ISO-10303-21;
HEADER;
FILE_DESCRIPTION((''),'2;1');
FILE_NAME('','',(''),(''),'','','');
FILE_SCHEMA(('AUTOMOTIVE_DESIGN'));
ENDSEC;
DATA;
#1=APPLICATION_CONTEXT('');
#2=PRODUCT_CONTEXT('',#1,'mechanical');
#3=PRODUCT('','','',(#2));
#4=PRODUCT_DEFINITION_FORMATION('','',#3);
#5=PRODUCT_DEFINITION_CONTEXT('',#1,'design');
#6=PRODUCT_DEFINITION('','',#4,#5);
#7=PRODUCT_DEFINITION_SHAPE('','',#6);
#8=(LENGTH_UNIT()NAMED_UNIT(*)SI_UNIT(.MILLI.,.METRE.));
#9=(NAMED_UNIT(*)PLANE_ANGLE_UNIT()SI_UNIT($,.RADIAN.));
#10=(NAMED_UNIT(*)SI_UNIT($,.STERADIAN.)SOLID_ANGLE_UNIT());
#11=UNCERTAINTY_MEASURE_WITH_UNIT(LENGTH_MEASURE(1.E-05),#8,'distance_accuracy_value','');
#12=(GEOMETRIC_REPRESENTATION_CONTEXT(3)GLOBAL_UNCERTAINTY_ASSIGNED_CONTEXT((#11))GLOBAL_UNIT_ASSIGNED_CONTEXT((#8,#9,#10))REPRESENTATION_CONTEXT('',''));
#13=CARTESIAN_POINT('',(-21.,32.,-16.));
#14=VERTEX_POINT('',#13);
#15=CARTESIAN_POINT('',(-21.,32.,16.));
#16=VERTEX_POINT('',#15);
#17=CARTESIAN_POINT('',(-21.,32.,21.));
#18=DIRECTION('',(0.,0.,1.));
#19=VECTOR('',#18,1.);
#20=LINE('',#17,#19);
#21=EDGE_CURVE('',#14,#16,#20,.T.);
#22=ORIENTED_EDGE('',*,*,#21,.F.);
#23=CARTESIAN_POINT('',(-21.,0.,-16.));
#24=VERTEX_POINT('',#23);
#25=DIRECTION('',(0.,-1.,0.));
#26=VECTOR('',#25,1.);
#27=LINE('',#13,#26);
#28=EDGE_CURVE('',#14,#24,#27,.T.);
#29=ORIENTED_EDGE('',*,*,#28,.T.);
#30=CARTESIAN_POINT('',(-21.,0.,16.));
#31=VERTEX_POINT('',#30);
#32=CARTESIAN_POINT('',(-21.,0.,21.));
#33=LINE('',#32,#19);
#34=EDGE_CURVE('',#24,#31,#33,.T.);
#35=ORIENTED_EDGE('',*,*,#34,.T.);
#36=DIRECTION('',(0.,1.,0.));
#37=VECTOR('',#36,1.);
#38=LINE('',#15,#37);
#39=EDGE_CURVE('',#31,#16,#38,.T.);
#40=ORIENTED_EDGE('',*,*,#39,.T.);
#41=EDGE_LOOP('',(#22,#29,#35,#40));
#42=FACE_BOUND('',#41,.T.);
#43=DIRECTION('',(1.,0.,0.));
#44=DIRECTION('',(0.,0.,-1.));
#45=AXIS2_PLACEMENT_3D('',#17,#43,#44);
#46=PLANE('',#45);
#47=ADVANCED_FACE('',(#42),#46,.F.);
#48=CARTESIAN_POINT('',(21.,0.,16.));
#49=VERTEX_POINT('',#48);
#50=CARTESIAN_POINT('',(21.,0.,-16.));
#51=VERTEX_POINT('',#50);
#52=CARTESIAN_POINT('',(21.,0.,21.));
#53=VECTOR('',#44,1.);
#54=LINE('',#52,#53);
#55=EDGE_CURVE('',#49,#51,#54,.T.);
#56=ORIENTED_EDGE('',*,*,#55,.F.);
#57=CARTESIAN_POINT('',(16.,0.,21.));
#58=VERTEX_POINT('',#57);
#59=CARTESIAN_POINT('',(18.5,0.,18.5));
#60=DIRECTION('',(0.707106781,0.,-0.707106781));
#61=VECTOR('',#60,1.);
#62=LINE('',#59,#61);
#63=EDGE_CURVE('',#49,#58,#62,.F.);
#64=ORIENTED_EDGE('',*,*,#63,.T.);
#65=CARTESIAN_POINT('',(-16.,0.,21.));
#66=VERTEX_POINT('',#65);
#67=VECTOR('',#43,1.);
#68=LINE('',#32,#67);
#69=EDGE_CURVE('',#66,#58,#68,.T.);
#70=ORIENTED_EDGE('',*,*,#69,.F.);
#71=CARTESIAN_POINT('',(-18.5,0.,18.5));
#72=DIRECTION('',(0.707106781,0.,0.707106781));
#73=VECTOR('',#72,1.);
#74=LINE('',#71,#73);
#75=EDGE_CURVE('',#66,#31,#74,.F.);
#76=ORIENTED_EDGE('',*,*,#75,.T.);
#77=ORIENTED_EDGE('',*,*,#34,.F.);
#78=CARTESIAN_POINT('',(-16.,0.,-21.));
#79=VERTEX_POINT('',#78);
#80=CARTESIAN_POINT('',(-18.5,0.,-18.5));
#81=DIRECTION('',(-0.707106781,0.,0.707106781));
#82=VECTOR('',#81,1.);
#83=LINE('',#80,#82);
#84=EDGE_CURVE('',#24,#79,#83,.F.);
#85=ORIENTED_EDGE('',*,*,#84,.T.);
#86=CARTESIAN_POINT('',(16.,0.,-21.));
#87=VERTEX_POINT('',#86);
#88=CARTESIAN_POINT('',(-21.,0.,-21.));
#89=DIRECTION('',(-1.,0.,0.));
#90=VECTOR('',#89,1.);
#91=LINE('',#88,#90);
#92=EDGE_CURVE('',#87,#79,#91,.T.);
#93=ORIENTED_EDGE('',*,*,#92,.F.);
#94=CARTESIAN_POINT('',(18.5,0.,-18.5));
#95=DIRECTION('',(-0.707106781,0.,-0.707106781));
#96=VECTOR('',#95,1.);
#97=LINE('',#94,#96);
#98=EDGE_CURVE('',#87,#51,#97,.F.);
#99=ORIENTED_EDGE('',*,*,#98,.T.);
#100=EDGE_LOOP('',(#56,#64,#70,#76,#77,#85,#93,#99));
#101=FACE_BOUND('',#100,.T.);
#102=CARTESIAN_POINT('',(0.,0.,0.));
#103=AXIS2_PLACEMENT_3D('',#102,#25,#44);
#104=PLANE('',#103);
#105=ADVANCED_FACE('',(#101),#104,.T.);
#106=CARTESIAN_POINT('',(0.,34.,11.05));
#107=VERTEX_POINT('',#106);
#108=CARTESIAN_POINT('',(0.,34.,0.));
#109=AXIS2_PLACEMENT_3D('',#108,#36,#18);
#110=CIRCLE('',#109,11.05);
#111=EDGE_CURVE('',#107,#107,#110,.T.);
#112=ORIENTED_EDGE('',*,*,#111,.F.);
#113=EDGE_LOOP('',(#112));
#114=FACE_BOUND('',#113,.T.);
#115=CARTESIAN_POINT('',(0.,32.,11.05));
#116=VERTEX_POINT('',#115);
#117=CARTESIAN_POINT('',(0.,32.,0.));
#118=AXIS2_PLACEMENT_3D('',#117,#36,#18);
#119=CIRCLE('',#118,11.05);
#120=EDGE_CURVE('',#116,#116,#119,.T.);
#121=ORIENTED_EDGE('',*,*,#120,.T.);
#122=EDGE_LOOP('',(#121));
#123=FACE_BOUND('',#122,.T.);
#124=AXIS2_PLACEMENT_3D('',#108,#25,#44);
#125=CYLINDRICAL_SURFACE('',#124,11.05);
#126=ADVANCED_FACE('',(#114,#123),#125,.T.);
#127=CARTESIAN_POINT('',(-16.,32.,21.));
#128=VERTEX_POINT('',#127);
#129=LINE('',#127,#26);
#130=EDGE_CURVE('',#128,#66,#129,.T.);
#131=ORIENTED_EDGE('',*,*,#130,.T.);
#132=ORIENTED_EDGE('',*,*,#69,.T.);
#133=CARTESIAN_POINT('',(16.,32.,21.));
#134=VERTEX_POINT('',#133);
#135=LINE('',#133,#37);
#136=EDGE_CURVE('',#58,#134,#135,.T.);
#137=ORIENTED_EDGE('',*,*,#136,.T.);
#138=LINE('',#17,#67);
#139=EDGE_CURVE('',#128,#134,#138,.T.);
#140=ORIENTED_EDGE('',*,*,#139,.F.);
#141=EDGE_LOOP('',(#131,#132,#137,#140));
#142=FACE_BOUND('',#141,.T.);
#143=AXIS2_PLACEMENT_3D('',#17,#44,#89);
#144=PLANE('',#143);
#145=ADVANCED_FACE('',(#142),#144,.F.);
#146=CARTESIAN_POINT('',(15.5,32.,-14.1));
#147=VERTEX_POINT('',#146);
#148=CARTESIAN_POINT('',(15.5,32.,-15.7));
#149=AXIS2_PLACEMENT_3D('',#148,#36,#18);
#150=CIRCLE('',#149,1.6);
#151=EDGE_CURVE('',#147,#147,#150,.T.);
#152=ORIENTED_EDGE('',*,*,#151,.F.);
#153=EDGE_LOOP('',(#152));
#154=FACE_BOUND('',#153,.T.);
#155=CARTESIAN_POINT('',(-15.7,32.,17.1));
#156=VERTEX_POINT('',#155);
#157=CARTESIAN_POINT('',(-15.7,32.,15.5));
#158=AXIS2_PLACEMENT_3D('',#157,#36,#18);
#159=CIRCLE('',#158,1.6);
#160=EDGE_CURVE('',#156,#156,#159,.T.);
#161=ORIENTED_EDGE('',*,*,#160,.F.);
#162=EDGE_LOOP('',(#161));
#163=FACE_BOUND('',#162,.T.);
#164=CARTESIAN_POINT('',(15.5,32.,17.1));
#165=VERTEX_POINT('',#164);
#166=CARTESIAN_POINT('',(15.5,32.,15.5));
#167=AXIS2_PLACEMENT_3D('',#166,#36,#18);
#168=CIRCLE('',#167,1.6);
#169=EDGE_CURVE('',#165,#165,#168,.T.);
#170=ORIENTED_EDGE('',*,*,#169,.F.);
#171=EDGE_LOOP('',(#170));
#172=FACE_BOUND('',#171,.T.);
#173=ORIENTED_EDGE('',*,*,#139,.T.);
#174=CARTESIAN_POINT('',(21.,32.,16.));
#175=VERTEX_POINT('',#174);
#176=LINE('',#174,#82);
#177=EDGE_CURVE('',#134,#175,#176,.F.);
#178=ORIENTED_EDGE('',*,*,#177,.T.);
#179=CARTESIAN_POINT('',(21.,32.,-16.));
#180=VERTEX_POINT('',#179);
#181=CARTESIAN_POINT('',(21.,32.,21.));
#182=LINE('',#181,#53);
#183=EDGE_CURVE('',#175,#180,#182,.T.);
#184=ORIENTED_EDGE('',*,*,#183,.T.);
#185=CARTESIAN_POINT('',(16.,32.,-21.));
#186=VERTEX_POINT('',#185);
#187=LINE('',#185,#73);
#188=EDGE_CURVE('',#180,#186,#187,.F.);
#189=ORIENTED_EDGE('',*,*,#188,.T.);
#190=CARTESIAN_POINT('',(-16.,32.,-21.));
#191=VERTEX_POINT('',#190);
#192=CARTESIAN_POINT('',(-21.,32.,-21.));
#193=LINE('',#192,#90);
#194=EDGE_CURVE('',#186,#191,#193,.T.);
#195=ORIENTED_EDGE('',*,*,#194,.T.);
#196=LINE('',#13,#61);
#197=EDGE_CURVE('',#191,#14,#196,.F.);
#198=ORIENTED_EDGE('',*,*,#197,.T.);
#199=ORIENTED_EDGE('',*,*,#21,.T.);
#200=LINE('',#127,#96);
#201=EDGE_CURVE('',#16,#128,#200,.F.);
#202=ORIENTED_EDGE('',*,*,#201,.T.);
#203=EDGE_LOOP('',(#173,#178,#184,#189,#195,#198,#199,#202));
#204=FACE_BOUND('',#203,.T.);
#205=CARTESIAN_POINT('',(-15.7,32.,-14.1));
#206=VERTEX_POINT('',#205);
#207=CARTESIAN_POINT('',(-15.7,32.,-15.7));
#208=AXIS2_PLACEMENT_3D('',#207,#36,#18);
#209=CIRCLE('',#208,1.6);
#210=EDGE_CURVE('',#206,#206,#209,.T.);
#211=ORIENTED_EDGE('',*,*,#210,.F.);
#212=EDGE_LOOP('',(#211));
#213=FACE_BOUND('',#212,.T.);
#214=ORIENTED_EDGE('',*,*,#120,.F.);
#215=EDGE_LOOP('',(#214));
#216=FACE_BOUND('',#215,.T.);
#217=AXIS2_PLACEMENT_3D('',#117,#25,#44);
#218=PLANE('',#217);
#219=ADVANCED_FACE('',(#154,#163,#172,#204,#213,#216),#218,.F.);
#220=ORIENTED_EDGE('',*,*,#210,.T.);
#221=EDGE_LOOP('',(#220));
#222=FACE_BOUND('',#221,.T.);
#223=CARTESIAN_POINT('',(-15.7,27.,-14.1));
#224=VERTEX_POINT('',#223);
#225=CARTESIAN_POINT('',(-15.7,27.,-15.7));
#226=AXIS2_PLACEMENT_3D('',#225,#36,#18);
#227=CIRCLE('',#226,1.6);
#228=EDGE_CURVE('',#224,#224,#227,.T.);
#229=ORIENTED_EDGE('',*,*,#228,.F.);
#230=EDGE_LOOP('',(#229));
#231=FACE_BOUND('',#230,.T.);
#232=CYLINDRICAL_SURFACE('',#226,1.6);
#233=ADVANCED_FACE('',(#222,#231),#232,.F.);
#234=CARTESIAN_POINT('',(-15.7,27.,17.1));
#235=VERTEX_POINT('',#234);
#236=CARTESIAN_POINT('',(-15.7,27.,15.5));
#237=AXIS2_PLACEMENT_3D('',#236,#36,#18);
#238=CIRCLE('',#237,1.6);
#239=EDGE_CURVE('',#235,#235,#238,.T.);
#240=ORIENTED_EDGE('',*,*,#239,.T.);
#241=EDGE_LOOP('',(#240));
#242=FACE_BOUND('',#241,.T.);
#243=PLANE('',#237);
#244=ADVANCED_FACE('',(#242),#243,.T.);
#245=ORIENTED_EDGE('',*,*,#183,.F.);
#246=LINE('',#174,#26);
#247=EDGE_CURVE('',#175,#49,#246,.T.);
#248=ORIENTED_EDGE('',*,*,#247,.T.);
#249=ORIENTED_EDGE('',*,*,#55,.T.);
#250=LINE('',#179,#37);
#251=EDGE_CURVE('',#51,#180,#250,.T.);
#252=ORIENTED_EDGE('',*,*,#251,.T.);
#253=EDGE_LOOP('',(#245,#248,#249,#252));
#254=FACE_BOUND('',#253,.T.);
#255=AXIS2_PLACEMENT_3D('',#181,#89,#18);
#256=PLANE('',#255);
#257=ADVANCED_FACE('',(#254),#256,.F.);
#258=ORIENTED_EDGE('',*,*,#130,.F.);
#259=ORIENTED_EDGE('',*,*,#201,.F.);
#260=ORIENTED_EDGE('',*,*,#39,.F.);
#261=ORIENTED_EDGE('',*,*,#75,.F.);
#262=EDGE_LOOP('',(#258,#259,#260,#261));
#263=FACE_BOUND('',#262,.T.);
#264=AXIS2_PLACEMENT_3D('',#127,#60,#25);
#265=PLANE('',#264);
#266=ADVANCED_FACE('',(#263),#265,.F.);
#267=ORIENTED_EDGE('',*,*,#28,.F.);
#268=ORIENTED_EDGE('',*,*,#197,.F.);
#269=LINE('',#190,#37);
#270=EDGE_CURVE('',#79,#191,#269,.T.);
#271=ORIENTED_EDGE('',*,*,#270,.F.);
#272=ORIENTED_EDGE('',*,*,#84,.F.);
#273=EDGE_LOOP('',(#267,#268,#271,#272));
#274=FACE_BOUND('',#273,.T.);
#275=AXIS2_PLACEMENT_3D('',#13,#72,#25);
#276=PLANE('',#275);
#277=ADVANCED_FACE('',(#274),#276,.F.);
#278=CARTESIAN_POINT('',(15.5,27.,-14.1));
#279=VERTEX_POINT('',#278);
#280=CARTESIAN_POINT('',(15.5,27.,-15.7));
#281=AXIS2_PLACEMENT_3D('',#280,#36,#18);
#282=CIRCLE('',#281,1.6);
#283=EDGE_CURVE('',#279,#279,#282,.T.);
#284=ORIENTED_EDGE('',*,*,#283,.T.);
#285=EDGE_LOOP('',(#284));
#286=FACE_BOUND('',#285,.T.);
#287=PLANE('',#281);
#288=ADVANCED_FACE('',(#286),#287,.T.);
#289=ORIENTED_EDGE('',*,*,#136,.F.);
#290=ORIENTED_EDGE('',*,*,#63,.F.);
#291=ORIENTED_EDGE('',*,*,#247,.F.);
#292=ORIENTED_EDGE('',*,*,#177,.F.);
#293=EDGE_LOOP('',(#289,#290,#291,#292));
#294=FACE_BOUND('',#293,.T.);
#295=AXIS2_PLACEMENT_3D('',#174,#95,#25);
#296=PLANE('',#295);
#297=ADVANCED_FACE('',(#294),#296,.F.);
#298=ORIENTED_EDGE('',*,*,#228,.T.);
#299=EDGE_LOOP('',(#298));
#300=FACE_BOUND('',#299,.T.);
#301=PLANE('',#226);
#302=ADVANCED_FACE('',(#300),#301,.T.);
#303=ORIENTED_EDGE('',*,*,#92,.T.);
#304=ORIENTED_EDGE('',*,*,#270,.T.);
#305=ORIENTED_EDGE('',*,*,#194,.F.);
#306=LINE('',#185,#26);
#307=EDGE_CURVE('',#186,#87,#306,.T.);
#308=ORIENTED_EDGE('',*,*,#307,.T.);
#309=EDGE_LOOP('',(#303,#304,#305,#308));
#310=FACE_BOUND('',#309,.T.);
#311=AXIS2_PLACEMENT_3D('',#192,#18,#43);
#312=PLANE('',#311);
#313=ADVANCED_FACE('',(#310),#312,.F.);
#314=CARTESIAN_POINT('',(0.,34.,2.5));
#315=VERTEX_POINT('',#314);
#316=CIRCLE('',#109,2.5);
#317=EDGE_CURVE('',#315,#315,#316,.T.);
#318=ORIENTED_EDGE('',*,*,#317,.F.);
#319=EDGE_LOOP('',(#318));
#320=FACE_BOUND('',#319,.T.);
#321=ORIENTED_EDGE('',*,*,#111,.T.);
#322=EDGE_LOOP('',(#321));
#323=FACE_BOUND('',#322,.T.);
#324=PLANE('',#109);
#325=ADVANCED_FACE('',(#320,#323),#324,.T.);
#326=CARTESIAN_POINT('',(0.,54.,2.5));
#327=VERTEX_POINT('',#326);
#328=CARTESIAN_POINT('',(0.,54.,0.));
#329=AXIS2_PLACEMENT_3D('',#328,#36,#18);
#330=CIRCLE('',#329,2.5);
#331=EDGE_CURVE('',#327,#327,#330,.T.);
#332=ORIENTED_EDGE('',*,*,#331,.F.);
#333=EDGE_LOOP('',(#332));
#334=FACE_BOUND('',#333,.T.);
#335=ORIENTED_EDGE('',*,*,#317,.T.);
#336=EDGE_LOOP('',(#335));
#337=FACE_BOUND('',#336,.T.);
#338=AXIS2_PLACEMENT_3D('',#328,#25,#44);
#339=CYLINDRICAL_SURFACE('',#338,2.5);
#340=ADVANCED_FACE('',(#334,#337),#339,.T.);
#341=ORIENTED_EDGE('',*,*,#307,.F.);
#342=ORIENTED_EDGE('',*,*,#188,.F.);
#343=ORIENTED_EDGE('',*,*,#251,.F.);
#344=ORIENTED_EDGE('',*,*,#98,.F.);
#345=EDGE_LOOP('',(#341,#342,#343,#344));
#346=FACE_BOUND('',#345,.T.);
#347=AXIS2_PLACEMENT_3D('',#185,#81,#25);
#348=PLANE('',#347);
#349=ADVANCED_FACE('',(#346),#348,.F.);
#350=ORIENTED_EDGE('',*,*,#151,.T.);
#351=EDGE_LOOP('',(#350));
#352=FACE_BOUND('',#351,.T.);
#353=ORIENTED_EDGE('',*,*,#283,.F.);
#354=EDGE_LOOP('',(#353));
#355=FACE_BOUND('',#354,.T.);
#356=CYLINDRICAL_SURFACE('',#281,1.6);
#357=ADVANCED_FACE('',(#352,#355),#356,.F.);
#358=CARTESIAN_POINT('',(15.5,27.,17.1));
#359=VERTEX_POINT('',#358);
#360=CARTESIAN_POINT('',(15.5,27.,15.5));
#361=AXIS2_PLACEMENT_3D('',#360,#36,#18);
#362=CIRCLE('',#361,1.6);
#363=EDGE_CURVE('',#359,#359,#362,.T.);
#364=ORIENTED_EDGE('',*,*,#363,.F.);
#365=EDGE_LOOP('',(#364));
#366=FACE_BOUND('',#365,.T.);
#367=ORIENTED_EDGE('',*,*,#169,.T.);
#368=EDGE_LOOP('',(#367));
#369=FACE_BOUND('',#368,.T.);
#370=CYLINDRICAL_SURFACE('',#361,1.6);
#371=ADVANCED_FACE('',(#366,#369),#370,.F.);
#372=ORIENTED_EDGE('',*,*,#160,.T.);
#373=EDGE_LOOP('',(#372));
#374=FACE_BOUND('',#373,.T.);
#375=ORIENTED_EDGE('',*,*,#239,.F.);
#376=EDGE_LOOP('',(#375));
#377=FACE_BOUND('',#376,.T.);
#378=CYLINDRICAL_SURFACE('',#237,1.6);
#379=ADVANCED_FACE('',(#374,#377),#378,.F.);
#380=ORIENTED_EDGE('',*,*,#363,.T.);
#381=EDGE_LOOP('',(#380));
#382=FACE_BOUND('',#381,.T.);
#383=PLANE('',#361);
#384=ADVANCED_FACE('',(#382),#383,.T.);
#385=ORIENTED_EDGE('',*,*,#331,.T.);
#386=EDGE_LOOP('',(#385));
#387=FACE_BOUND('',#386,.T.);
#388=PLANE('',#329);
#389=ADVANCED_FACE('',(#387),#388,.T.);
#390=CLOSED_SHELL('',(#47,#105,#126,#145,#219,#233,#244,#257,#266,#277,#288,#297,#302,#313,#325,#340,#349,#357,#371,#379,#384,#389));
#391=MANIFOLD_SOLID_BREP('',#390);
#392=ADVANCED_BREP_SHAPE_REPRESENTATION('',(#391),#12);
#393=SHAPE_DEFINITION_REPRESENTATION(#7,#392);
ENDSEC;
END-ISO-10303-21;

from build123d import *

# Parameters (mm, degrees)
SKETCH1_W           = 42
SKETCH1_H           = 42
BOSS_EXTRUDE1_DEPTH = 32
CHAMFER1_SIZE       = 5
SKETCH2_R           = 11.05
BOSS_EXTRUDE2_DEPTH = 2
SKETCH3_R           = 2.5
BOSS_EXTRUDE3_DEPTH = 20
SKETCH4_R           = 1.6
CUT_EXTRUDE1_DEPTH  = 5


with BuildPart() as part:
    # Sketch1 → Boss-Extrude1 (new body)
    with BuildSketch(Plane(origin=(0, 0, 0), x_dir=(1, 0, 0), z_dir=(0, 1, 0))):
        Rectangle(SKETCH1_W, SKETCH1_H)
    extrude(amount=BOSS_EXTRUDE1_DEPTH)

    # Chamfer1
    chamfer1_edges = [part.edges().sort_by_distance(p)[0] for p in [
        (21, 16, 21),
        (-21, 16, 21),
        (-21, 16, -21),
        (21, 16, -21),
    ]]
    chamfer(chamfer1_edges, length=CHAMFER1_SIZE)

    # Sketch2 → Boss-Extrude2 (add)
    with BuildSketch(Plane(origin=(0, 32, 0), x_dir=(1, 0, 0), z_dir=(0, 1, 0))):
        Circle(SKETCH2_R)
    extrude(amount=BOSS_EXTRUDE2_DEPTH)

    # Sketch3 → Boss-Extrude3 (add)
    with BuildSketch(Plane(origin=(0, 34, 0), x_dir=(1, 0, 0), z_dir=(0, 1, 0))):
        Circle(SKETCH3_R)
    extrude(amount=BOSS_EXTRUDE3_DEPTH)

    # Sketch4 → Cut-Extrude1 (cut)
    with BuildSketch(Plane(origin=(0, 32, 0), x_dir=(1, 0, 0), z_dir=(0, 1, 0))):
        with Locations((-15.7, 15.7)):
            Circle(SKETCH4_R)
        with Locations((15.5, 15.7)):
            Circle(SKETCH4_R)
        with Locations((15.5, -15.5)):
            Circle(SKETCH4_R)
        with Locations((-15.7, -15.5)):
            Circle(SKETCH4_R)
    extrude(amount=-CUT_EXTRUDE1_DEPTH, mode=Mode.SUBTRACT)


solid = part.part
